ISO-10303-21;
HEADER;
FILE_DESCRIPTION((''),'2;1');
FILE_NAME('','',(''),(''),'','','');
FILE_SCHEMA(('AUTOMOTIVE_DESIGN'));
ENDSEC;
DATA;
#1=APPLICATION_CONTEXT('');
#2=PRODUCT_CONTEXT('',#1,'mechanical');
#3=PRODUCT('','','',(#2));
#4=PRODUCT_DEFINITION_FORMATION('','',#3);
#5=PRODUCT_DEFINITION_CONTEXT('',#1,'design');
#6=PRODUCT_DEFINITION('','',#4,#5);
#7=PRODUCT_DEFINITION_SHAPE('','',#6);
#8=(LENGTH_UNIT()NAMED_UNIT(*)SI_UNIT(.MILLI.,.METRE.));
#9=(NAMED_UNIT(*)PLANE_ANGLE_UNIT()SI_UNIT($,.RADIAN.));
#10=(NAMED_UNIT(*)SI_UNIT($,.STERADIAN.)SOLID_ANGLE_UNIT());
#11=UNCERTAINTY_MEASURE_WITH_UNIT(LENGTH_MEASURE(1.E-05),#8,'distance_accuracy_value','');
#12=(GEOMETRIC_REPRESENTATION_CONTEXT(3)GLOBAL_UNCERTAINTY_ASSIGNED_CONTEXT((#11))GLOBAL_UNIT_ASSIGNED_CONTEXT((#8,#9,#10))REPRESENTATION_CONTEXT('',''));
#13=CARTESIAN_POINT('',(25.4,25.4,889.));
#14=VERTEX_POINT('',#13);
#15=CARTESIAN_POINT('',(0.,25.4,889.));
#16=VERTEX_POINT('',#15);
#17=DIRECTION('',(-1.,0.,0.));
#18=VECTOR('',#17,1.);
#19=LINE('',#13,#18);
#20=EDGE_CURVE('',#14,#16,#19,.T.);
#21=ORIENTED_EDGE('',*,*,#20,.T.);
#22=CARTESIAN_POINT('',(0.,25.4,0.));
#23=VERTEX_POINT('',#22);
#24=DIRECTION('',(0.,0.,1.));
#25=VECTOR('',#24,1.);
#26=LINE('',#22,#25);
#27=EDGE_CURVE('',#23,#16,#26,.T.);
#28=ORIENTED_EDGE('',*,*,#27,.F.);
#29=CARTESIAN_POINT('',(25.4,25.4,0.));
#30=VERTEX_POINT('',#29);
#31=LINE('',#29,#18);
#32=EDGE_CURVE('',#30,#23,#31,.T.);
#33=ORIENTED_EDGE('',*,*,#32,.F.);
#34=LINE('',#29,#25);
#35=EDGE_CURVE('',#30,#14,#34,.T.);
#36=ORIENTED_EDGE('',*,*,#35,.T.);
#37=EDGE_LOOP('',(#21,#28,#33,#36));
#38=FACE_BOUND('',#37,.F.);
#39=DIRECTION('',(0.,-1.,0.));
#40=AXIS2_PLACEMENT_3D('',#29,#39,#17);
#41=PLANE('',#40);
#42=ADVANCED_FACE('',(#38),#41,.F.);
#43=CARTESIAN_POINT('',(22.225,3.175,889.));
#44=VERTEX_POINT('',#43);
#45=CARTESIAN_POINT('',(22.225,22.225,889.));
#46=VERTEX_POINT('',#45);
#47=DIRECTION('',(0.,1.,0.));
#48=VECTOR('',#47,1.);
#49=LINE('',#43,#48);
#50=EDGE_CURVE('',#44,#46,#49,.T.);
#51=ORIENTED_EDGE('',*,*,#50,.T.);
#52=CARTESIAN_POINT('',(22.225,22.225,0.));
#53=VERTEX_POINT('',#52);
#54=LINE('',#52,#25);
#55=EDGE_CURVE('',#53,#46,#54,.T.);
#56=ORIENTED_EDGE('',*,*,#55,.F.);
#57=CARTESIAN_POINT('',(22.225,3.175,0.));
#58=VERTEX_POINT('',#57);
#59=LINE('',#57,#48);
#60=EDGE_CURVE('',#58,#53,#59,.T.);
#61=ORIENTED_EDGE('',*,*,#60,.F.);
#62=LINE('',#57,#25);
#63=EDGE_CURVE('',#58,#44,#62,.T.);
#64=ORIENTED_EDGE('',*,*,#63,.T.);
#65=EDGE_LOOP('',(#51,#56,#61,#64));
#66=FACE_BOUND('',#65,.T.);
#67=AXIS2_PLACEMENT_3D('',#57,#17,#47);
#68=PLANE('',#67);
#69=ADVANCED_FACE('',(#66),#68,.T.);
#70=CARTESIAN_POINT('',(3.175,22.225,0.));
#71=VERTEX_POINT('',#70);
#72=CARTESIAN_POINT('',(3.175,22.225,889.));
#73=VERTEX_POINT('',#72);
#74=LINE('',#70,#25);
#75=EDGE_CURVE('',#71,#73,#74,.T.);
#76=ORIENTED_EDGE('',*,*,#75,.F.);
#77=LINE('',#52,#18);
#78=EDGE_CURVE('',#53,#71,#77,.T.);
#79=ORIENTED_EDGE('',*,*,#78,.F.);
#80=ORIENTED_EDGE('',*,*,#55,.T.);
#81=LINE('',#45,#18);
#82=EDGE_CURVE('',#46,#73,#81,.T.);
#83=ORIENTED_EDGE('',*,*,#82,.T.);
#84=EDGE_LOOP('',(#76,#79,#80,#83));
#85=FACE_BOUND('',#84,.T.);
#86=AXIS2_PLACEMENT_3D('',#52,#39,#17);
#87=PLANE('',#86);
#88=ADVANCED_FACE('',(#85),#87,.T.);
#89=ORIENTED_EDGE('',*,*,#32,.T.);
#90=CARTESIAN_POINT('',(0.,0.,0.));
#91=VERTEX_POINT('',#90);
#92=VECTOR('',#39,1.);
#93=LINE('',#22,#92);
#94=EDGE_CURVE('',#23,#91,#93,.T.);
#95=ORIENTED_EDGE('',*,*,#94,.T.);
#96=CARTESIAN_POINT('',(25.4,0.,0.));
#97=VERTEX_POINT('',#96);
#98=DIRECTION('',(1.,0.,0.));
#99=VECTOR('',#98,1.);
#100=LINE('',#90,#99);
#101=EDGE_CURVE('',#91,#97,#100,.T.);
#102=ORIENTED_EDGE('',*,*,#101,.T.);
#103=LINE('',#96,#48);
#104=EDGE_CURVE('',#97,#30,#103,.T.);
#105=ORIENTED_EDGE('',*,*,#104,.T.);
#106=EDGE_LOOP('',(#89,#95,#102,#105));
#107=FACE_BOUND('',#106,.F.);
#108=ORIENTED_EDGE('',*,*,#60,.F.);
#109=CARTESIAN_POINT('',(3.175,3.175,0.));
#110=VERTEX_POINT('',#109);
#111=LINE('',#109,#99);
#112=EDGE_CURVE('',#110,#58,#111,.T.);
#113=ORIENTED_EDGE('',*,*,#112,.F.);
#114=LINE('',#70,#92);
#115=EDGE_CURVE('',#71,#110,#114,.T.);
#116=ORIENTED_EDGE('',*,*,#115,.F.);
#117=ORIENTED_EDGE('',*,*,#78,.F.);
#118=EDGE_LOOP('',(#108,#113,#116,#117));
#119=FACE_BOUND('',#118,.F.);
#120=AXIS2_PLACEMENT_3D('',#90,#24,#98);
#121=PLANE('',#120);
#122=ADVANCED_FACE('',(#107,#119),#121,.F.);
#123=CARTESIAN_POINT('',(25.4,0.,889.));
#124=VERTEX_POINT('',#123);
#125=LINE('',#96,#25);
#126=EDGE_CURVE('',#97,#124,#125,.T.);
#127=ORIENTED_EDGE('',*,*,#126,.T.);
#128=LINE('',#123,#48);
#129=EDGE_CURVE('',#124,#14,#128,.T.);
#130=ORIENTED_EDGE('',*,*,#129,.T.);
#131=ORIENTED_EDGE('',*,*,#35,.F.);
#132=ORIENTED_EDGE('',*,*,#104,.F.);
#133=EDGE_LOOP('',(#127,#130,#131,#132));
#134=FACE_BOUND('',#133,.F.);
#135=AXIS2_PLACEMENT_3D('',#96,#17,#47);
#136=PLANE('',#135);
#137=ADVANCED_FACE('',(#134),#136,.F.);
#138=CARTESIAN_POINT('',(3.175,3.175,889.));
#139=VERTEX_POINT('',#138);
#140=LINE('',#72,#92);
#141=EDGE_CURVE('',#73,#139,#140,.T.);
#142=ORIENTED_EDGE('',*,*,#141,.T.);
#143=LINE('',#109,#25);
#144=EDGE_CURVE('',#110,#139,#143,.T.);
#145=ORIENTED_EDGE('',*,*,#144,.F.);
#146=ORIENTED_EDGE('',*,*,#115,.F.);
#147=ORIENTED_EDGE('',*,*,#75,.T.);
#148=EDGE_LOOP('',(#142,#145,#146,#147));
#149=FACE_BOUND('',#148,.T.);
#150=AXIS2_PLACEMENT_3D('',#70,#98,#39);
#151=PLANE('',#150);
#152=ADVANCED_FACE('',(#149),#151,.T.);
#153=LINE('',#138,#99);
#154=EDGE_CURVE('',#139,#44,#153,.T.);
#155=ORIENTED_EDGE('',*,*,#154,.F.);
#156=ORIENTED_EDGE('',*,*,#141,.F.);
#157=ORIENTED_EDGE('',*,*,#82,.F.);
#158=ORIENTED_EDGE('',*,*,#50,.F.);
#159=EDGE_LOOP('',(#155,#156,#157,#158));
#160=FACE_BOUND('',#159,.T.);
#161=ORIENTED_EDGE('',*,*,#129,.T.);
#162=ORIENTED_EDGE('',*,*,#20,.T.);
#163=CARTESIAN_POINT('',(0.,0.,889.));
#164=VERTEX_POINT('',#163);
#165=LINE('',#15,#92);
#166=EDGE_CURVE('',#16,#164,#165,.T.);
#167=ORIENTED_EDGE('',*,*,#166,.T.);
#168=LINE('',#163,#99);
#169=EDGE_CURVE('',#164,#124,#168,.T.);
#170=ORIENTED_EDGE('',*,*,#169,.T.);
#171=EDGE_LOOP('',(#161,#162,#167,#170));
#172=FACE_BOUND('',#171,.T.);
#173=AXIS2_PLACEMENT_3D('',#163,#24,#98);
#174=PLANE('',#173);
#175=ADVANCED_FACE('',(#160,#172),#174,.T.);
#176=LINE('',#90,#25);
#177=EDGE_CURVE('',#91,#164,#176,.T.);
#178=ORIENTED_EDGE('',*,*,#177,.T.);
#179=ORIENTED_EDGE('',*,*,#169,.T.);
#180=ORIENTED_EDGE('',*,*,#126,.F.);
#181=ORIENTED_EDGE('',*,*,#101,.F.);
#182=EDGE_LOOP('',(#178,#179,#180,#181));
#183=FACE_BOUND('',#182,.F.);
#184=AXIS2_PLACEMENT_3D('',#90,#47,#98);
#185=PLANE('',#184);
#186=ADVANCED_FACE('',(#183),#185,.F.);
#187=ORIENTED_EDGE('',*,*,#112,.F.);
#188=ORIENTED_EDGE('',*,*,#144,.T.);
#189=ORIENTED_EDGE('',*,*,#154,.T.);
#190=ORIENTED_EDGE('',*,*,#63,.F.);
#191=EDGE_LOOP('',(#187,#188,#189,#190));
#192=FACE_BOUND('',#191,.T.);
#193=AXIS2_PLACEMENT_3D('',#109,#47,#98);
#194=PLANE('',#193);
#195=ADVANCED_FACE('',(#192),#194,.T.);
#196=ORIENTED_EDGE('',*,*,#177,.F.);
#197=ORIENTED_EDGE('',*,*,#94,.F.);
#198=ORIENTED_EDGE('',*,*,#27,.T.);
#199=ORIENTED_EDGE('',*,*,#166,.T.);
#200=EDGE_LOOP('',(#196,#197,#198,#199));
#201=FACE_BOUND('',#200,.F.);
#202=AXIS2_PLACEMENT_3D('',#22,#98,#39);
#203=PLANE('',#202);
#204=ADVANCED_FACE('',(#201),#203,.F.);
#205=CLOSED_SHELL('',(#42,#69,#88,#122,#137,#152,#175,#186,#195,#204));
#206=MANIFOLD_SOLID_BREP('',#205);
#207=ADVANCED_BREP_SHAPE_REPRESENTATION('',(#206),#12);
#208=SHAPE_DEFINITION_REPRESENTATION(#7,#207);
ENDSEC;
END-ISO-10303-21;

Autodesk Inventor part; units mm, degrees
ref_plane "YZ Plane" through (0, 0, 0) normal (1, 0, 0) x (0, 1, 0)
ref_plane "XZ Plane" through (0, 0, 0) normal (0, 1, 0) x (-1, 0, 0)
ref_plane "XY Plane" through (0, 0, 0) normal (0, 0, 1) x (1, 0, 0)
sketch "Sketch1" plane through (0, 0, 0) normal (0, 0, 1) x (1, 0, 0)
  line L0 (0, 0) -> (25.4, 0)
  line L1 (25.4, 0) -> (25.4, 25.4)
  line L2 (25.4, 25.4) -> (0, 25.4)
  line L3 (0, 25.4) -> (0, 0)
  line L4 (3.175, 3.175) -> (22.225, 3.175)
  line L5 (22.225, 3.175) -> (22.225, 22.225)
  line L6 (22.225, 22.225) -> (3.175, 22.225)
  line L7 (3.175, 22.225) -> (3.175, 3.175)
  dimension "d0" = 25.4
  dimension "d1" = 25.4
  dimension "d2" = 3.175
  dimension "d3" = 3.175
  dimension "d4" = 3.175
  dimension "d5" = 3.175
extrude "Extrusion1" add sketch "Sketch1" along normal blind 889
properties part number "climb 1x1" material "Aluminum 6061"
